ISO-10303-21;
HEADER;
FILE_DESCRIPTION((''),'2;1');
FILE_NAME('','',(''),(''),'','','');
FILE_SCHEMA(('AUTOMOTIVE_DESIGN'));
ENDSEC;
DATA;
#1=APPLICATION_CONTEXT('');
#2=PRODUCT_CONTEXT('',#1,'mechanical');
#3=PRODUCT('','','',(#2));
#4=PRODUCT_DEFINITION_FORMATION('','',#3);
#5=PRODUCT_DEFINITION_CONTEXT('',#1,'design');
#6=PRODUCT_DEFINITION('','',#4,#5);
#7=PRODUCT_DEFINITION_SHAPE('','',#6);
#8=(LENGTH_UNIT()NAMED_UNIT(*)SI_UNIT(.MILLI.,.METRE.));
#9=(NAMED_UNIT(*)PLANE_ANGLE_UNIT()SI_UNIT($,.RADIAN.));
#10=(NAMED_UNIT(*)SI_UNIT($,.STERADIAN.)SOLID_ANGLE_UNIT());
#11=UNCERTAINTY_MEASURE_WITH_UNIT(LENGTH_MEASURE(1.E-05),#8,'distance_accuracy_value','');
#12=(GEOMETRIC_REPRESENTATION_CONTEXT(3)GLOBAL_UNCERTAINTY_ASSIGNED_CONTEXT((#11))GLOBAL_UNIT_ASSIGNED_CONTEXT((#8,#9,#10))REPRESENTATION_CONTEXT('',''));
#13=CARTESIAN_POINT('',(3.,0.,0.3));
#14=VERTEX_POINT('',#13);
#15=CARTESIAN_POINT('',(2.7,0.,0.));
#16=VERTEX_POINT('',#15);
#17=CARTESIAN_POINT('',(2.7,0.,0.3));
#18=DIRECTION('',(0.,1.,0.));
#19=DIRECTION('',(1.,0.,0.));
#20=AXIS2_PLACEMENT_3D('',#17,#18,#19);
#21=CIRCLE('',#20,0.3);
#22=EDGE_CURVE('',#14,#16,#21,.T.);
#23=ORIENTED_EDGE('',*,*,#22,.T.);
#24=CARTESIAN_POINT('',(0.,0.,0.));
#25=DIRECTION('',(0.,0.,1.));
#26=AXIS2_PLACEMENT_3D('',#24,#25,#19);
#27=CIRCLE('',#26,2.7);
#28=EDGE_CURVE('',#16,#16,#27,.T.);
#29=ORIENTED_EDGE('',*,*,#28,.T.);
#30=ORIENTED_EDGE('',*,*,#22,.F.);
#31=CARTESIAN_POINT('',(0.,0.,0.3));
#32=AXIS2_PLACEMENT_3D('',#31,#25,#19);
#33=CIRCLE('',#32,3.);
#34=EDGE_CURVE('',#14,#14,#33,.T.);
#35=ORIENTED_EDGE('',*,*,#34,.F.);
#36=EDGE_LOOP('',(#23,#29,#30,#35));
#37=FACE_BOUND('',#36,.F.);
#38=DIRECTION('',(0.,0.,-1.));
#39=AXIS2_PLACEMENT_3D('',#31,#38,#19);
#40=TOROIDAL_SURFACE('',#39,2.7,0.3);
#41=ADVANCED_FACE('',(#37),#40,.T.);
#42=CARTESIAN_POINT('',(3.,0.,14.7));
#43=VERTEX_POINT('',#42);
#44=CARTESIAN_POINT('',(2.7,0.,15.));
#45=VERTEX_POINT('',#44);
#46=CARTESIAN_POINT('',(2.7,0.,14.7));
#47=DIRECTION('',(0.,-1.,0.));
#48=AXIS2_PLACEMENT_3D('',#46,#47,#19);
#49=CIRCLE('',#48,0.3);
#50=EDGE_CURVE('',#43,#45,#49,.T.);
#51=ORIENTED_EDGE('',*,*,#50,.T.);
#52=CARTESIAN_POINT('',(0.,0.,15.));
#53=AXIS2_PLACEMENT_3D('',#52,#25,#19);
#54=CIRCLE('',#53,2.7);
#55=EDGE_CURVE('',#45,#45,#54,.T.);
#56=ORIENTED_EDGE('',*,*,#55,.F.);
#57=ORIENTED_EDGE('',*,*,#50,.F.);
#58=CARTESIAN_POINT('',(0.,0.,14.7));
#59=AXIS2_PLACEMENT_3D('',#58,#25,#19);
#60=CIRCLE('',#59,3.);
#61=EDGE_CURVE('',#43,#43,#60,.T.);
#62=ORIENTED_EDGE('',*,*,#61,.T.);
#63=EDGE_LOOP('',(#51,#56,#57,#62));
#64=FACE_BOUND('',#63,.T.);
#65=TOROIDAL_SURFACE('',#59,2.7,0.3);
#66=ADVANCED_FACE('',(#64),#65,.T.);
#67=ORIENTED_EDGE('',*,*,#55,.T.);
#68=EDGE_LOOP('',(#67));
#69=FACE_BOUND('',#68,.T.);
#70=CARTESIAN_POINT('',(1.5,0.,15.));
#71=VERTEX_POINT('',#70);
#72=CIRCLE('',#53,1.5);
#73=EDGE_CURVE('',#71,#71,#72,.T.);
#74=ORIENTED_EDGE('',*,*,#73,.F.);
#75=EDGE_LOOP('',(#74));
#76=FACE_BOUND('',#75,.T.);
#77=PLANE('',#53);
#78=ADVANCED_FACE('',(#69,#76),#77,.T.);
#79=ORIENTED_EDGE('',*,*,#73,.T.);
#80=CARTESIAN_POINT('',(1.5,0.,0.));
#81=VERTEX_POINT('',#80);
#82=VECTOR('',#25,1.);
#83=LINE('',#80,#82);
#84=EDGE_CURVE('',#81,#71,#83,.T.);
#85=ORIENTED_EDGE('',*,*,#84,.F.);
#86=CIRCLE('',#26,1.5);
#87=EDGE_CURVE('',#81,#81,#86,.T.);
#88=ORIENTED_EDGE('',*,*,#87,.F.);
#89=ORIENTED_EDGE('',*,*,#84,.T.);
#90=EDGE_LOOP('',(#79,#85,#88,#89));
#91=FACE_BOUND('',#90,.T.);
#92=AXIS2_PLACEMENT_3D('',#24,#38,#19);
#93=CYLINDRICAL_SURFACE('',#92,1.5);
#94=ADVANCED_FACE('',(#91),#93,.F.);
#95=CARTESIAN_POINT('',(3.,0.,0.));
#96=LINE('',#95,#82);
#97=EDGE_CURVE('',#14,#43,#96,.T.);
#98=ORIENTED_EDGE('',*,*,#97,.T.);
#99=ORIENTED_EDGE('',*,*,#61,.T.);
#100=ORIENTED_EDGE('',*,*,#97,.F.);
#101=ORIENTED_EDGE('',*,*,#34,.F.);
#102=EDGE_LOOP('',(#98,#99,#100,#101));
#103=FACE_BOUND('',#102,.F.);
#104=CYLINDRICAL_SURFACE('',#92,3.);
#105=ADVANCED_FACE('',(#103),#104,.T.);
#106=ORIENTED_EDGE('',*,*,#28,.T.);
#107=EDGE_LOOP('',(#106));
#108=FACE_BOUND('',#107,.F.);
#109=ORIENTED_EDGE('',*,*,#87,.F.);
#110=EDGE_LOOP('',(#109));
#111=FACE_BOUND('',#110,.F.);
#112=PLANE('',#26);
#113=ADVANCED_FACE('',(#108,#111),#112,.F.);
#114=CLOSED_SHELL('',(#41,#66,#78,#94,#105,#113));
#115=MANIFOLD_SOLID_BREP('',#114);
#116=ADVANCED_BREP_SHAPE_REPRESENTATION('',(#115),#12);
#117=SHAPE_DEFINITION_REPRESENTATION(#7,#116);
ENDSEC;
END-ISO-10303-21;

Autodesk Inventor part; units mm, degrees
ref_plane "YZ Plane" through (0, 0, 0) normal (1, 0, 0) x (0, 1, 0)
ref_plane "XZ Plane" through (0, 0, 0) normal (0, 1, 0) x (-1, 0, 0)
ref_plane "XY Plane" through (0, 0, 0) normal (0, 0, 1) x (1, 0, 0)
sketch "スケッチ1" plane through (0, 0, 0) normal (0, 0, 1) x (1, 0, 0)
  circle A0 centre (0, 0) radius 1.5
  circle A1 centre (0, 0) radius 3
  dimension "d0" = 3
  dimension "d1" = 6
extrude "押し出し1" add sketch "スケッチ1" along normal blind 15
fillet "フィレット1" radius 0.3 2 edges at (-3, 0, 15) (-3, 0, 0)
thread "ねじ1" size "M3x0.5" class "6H" standard "ANSI Metric M Profile" length 100
properties part number "スペーサーM3L15アルミ" material "アルミニウム 2014-T4"
